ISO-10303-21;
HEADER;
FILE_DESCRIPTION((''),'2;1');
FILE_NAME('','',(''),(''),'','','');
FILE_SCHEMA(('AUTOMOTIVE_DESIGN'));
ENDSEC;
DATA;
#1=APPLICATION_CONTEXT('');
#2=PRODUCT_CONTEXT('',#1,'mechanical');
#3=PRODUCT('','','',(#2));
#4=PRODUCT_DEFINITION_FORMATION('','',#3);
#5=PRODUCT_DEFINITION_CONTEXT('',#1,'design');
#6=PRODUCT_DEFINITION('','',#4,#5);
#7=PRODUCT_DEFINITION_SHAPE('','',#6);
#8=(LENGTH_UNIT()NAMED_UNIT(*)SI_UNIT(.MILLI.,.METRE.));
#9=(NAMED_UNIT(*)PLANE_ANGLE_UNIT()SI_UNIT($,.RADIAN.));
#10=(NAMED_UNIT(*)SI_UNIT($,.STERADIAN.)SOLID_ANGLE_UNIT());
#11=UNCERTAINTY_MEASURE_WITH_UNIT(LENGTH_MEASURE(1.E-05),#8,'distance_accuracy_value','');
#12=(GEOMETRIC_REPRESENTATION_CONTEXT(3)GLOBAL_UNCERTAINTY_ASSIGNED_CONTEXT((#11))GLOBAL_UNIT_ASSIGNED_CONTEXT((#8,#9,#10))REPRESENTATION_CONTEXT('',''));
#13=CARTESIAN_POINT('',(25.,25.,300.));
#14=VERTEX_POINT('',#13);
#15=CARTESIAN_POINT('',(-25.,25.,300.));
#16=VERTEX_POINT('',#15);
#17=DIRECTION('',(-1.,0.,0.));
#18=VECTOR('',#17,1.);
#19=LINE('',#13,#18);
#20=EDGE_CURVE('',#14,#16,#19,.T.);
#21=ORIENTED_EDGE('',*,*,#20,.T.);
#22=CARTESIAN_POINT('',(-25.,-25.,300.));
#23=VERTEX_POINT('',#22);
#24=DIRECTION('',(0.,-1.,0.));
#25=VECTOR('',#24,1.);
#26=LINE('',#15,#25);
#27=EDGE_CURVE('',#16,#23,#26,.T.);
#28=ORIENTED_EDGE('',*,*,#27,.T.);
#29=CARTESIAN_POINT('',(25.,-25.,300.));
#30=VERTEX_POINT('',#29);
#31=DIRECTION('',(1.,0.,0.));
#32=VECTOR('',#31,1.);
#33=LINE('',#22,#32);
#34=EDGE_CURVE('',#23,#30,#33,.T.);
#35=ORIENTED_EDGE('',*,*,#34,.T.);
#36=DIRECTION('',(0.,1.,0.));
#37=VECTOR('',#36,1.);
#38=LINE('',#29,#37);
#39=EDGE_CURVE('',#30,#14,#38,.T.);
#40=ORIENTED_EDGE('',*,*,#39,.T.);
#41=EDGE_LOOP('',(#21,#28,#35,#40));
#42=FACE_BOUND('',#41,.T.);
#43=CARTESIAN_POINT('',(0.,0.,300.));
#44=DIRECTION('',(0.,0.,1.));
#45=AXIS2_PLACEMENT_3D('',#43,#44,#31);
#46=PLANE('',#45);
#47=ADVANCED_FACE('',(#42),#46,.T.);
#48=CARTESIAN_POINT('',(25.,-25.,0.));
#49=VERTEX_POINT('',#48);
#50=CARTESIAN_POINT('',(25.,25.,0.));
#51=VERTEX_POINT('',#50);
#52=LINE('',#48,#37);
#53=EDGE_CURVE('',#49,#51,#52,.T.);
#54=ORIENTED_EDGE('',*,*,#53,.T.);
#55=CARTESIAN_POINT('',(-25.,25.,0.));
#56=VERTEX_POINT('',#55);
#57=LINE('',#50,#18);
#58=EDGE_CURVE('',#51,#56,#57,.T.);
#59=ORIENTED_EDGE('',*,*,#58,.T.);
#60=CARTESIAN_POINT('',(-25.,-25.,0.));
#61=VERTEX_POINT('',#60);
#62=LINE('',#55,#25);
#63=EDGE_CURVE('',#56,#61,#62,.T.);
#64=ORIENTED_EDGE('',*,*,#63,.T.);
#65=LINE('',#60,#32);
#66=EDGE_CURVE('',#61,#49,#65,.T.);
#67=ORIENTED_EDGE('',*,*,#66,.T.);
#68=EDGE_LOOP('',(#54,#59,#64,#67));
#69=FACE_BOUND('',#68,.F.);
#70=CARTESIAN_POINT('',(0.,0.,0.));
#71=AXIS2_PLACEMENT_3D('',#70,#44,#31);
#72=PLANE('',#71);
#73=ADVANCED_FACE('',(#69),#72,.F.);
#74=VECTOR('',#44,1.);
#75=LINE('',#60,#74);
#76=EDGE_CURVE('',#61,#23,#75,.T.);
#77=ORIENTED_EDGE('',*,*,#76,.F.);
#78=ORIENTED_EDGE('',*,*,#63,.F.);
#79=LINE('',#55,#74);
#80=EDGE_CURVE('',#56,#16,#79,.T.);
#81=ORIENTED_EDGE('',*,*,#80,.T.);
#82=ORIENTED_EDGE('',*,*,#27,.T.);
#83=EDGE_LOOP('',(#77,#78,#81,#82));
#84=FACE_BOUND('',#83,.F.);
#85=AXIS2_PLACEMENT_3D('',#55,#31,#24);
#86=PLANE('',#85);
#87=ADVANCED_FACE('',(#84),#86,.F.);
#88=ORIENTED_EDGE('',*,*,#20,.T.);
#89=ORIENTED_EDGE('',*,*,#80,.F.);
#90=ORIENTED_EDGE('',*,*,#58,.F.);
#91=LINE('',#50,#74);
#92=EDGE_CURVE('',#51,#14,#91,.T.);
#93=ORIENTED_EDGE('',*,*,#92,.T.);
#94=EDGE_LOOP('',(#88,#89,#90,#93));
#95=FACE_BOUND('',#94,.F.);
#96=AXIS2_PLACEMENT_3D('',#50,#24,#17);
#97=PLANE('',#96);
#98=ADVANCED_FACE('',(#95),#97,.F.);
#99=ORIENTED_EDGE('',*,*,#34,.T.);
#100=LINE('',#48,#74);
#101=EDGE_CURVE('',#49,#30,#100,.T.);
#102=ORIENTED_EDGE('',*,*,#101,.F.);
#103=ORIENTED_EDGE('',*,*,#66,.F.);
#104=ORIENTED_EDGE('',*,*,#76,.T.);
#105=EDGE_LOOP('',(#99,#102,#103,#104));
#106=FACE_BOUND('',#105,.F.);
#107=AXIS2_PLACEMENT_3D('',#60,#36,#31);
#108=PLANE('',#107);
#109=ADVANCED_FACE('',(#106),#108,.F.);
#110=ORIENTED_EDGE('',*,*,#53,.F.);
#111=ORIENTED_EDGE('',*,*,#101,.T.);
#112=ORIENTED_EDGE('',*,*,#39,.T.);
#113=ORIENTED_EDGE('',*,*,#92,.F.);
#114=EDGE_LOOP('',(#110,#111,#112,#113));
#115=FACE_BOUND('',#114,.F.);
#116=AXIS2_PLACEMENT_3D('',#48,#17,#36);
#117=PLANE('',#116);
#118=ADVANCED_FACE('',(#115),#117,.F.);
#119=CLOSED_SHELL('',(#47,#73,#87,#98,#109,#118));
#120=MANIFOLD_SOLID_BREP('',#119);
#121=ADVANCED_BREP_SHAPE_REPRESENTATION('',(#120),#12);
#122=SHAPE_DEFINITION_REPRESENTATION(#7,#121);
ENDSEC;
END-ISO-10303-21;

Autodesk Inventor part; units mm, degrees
ref_plane "YZ Plane" through (0, 0, 0) normal (1, 0, 0) x (0, 1, 0)
ref_plane "XZ Plane" through (0, 0, 0) normal (0, 1, 0) x (-1, 0, 0)
ref_plane "XY Plane" through (0, 0, 0) normal (0, 0, 1) x (1, 0, 0)
sketch "스케치1" plane through (0, 0, 0) normal (0, 0, 1) x (1, 0, 0)
  line L0 (25, 25) -> (-25, 25)
  line L1 (-25, 25) -> (-25, -25)
  line L2 (-25, -25) -> (25, -25)
  line L3 (25, -25) -> (25, 25)
  point P0 (0, 0)
  dimension "d0" = 50
  dimension "d1" = 25
  dimension "d2" = 25
  dimension "d3" = 50
extrude "돌출1" add sketch "스케치1" along normal blind 300
properties part number "부품1" material "A6N015"
